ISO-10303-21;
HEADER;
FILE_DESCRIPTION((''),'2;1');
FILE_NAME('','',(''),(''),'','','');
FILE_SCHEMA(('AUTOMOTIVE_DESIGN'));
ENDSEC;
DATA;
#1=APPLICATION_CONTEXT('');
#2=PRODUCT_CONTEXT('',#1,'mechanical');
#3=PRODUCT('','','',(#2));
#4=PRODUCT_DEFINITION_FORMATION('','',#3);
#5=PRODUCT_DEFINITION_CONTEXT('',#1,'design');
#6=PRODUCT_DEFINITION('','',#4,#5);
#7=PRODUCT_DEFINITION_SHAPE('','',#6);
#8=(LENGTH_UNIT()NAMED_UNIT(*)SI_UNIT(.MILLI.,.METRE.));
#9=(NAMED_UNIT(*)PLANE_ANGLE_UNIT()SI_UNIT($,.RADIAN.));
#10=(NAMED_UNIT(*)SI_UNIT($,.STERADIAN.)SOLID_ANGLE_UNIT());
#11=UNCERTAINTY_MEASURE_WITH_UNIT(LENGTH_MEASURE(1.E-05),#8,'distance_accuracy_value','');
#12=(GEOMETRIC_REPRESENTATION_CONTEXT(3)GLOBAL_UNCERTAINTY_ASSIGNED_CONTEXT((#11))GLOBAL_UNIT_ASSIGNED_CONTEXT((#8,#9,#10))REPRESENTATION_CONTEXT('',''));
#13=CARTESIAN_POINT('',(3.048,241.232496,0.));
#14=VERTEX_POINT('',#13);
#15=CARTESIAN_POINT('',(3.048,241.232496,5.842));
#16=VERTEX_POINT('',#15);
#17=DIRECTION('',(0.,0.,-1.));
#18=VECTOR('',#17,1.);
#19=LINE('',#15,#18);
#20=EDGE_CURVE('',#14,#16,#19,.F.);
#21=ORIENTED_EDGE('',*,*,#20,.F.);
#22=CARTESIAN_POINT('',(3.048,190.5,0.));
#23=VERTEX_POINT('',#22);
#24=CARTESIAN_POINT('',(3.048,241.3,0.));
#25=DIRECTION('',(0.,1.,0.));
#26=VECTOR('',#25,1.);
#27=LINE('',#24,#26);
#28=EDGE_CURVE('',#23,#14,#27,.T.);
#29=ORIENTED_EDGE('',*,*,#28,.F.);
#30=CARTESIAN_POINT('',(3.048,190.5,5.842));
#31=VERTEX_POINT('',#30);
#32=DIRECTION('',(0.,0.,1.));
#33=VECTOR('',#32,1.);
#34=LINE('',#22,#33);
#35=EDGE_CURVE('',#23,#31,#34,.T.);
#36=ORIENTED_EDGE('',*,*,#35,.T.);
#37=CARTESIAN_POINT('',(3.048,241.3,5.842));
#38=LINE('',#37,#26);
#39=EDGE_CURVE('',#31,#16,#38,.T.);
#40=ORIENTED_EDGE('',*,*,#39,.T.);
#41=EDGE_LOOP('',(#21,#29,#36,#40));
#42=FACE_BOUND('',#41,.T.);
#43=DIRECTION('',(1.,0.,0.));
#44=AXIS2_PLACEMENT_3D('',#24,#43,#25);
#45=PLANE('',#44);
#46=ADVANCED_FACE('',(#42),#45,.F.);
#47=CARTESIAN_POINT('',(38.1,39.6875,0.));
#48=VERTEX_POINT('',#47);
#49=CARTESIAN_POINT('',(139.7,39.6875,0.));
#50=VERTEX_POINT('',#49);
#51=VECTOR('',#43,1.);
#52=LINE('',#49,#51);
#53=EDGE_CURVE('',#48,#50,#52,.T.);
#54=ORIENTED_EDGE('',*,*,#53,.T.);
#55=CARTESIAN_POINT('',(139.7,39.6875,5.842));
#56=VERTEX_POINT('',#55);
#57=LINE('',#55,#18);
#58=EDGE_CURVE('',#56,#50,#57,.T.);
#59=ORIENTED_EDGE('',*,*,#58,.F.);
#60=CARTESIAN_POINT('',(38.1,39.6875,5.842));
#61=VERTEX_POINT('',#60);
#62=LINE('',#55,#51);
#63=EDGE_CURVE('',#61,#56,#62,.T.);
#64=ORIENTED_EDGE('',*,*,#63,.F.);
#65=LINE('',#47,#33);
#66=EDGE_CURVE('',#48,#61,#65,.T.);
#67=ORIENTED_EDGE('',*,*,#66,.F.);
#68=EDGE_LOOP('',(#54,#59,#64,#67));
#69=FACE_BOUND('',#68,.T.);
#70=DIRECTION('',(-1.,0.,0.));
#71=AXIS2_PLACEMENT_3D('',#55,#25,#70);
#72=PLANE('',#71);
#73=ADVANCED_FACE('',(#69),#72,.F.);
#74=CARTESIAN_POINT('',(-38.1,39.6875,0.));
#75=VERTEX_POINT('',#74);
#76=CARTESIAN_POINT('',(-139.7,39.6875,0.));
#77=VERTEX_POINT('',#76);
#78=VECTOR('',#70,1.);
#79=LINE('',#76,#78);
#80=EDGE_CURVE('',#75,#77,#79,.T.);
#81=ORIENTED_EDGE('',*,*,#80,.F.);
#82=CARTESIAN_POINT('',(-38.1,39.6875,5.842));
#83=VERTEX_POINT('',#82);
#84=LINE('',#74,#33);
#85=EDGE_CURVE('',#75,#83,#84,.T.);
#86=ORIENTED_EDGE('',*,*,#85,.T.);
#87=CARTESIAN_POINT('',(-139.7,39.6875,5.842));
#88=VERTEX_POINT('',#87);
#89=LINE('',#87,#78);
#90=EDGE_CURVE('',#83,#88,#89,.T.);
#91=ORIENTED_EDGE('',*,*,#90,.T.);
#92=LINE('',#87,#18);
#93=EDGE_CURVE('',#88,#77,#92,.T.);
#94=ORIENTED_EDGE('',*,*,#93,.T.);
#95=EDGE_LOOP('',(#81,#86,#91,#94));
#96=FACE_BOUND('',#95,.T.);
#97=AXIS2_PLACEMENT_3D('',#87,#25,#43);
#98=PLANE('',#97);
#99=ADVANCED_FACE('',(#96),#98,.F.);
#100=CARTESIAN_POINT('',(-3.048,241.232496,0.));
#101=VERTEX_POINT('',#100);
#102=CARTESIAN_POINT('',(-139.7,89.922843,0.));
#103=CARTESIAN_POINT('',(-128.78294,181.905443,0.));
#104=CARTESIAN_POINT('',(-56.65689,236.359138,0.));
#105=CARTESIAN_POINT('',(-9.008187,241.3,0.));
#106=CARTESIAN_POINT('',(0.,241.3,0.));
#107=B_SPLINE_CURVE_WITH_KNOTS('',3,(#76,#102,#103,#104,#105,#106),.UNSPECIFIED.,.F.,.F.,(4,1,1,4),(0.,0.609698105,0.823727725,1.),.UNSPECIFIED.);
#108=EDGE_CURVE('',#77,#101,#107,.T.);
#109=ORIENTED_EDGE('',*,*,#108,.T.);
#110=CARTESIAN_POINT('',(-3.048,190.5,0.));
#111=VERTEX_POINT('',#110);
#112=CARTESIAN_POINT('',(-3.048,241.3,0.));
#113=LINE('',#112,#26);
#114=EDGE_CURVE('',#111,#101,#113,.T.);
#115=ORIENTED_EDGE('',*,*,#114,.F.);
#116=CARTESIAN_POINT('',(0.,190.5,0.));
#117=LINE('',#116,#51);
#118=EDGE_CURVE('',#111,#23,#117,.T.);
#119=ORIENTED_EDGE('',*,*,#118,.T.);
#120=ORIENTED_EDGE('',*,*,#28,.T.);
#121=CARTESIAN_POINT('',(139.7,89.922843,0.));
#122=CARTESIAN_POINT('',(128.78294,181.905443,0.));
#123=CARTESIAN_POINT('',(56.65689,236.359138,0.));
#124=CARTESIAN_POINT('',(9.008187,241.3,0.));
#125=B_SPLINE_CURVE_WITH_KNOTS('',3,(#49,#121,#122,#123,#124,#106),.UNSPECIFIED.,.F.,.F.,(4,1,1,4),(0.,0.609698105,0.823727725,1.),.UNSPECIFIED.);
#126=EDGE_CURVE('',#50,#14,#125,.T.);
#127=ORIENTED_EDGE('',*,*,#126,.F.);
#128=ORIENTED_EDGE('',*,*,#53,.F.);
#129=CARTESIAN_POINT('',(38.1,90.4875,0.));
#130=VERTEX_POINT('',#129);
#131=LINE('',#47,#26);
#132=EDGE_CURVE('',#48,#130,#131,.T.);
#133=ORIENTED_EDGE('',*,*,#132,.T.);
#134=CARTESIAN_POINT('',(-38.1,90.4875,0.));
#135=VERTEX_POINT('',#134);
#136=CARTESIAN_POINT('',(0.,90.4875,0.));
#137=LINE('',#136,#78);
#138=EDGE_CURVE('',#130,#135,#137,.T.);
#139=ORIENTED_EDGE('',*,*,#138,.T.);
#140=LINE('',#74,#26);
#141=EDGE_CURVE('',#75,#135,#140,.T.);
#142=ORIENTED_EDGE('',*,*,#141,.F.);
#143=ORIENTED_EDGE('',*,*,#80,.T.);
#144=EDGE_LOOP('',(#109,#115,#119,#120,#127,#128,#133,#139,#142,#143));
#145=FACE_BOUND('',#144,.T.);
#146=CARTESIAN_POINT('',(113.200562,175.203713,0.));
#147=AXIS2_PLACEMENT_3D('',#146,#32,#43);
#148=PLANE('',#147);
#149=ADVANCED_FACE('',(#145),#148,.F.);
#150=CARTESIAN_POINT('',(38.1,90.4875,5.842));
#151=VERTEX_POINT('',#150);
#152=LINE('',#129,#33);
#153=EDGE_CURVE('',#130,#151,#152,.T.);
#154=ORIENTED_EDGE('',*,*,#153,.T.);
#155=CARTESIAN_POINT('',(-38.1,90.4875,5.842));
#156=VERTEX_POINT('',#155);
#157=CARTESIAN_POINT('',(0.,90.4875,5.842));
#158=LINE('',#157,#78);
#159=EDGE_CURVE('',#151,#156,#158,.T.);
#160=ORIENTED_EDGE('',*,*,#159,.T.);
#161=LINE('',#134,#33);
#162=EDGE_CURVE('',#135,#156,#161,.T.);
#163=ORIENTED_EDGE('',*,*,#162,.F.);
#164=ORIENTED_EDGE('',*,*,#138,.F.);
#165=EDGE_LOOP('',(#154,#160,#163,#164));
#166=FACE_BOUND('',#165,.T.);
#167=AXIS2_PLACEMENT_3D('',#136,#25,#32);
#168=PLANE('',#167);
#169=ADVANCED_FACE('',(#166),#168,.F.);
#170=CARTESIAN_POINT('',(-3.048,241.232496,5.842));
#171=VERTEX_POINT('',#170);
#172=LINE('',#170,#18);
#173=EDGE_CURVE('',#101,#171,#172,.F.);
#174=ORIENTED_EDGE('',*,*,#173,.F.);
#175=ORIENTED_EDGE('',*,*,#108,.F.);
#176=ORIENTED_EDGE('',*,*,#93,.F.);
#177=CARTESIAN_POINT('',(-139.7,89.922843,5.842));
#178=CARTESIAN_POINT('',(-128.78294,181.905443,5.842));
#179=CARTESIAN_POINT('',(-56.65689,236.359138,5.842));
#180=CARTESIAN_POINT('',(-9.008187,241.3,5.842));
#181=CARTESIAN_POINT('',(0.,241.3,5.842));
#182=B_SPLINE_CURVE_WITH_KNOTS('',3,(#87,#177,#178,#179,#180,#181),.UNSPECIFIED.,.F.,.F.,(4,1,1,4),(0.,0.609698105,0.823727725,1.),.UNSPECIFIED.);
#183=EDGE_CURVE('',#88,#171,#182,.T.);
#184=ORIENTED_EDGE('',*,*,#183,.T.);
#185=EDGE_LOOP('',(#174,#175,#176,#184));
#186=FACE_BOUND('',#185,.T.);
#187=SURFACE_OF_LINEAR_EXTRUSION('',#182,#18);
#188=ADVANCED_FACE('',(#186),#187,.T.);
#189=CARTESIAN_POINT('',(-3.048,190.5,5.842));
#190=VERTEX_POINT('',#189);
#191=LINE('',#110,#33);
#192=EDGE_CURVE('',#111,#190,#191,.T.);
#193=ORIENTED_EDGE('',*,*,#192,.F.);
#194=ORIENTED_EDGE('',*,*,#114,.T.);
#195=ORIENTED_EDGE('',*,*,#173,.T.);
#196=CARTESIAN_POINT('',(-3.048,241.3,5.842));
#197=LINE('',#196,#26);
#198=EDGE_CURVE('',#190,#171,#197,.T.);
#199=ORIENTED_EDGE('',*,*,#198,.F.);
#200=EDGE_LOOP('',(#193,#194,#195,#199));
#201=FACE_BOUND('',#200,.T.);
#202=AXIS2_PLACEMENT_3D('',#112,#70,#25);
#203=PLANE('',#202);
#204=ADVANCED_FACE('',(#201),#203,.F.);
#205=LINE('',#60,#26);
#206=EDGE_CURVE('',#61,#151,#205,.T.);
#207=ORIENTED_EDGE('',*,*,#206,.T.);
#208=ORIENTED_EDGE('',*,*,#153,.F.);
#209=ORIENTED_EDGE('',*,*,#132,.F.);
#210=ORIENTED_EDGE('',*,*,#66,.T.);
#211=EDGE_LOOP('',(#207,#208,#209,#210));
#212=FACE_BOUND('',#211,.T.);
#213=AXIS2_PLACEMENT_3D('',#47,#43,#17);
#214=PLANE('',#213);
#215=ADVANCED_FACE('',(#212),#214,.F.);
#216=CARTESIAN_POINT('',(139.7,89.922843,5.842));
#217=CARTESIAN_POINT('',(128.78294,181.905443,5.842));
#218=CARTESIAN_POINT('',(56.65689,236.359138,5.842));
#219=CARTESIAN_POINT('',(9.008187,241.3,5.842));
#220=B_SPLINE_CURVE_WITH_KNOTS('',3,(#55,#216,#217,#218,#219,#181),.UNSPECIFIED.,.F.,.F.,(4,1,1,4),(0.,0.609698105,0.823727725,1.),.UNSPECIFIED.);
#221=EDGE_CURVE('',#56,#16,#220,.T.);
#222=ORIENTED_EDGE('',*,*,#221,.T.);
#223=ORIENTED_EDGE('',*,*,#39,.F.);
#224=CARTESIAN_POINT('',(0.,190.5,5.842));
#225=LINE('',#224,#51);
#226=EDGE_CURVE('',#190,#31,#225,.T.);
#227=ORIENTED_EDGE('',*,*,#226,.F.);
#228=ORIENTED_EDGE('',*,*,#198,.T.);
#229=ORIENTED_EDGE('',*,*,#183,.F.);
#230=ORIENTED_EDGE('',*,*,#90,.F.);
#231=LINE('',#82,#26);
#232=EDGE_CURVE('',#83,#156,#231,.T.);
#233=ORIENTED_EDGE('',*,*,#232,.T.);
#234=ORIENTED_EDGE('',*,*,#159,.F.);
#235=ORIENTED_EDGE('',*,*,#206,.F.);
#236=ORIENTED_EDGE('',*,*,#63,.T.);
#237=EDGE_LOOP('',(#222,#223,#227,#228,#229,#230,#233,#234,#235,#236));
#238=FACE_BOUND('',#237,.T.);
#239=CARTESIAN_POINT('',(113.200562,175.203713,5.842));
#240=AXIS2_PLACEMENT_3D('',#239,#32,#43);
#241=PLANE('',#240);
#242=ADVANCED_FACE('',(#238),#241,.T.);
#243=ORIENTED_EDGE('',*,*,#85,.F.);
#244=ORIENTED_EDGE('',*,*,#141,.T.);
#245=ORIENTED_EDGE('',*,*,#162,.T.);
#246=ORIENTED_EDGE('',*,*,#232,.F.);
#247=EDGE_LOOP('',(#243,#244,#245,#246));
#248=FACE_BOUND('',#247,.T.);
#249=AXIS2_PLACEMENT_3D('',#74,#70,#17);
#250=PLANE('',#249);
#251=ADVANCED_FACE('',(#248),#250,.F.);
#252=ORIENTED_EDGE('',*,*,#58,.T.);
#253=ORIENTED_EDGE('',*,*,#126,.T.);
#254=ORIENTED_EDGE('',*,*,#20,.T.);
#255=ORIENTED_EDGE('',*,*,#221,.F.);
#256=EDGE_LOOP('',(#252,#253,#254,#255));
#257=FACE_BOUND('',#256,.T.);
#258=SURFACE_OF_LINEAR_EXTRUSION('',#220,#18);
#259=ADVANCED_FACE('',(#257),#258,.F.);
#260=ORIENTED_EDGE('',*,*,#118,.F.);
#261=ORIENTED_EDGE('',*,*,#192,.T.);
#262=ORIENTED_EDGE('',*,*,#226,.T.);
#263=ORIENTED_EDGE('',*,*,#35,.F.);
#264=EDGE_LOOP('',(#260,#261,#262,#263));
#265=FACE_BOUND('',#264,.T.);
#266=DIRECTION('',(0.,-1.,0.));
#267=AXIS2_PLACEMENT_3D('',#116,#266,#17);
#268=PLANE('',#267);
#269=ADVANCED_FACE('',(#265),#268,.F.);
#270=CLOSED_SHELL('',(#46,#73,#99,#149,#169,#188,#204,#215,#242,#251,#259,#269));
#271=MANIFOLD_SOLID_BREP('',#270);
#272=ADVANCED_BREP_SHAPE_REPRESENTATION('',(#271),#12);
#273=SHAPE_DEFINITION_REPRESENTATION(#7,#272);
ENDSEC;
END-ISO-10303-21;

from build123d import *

# Parameters (mm, degrees)
BOSS_EXTRUDE1_DEPTH = 5.842
SKETCH3_W           = 38.1
SKETCH3_H           = 50.8
SKETCH3_W_2         = 3.048
CUT_EXTRUDE1_DEPTH  = 279.88332514


with BuildPart() as part:
    # Sketch2 → Boss-Extrude1 (new body)
    with BuildSketch(Plane.XY):
        with BuildLine():
            Line((139.7, 39.6875), (0, 39.6875))
            Line((0, 39.6875), (0, 241.3))
            add(Edge.make_bspline(
                [(0, 241.3), (9.008186532, 241.3), (56.656890408, 236.359137648), (128.782940081, 181.905443126), (139.7, 89.922843118), (139.7, 39.6875)],
                knots=[0, 0, 0, 0, 0.176272275, 0.390301895, 1, 1, 1, 1], degree=3))
        make_face()
    extrude(amount=BOSS_EXTRUDE1_DEPTH)

    # Sketch3 → Cut-Extrude1 (cut, through all)
    with BuildSketch(Plane.XY.offset(5.842)):
        with Locations((19.05, 65.0875)):
            Rectangle(SKETCH3_W, SKETCH3_H)
        with Locations((1.524, 215.9)):
            Rectangle(SKETCH3_W_2, SKETCH3_H)
    extrude(amount=-CUT_EXTRUDE1_DEPTH, mode=Mode.SUBTRACT)

    # Mirror1: part across plane


with BuildPart() as part_1:
    add(part.part)
    add(part.part.mirror(Plane(origin=(0, 0, 0), x_dir=(0, 0, 1), z_dir=(1, 0, 0))))


solid = part_1.part
